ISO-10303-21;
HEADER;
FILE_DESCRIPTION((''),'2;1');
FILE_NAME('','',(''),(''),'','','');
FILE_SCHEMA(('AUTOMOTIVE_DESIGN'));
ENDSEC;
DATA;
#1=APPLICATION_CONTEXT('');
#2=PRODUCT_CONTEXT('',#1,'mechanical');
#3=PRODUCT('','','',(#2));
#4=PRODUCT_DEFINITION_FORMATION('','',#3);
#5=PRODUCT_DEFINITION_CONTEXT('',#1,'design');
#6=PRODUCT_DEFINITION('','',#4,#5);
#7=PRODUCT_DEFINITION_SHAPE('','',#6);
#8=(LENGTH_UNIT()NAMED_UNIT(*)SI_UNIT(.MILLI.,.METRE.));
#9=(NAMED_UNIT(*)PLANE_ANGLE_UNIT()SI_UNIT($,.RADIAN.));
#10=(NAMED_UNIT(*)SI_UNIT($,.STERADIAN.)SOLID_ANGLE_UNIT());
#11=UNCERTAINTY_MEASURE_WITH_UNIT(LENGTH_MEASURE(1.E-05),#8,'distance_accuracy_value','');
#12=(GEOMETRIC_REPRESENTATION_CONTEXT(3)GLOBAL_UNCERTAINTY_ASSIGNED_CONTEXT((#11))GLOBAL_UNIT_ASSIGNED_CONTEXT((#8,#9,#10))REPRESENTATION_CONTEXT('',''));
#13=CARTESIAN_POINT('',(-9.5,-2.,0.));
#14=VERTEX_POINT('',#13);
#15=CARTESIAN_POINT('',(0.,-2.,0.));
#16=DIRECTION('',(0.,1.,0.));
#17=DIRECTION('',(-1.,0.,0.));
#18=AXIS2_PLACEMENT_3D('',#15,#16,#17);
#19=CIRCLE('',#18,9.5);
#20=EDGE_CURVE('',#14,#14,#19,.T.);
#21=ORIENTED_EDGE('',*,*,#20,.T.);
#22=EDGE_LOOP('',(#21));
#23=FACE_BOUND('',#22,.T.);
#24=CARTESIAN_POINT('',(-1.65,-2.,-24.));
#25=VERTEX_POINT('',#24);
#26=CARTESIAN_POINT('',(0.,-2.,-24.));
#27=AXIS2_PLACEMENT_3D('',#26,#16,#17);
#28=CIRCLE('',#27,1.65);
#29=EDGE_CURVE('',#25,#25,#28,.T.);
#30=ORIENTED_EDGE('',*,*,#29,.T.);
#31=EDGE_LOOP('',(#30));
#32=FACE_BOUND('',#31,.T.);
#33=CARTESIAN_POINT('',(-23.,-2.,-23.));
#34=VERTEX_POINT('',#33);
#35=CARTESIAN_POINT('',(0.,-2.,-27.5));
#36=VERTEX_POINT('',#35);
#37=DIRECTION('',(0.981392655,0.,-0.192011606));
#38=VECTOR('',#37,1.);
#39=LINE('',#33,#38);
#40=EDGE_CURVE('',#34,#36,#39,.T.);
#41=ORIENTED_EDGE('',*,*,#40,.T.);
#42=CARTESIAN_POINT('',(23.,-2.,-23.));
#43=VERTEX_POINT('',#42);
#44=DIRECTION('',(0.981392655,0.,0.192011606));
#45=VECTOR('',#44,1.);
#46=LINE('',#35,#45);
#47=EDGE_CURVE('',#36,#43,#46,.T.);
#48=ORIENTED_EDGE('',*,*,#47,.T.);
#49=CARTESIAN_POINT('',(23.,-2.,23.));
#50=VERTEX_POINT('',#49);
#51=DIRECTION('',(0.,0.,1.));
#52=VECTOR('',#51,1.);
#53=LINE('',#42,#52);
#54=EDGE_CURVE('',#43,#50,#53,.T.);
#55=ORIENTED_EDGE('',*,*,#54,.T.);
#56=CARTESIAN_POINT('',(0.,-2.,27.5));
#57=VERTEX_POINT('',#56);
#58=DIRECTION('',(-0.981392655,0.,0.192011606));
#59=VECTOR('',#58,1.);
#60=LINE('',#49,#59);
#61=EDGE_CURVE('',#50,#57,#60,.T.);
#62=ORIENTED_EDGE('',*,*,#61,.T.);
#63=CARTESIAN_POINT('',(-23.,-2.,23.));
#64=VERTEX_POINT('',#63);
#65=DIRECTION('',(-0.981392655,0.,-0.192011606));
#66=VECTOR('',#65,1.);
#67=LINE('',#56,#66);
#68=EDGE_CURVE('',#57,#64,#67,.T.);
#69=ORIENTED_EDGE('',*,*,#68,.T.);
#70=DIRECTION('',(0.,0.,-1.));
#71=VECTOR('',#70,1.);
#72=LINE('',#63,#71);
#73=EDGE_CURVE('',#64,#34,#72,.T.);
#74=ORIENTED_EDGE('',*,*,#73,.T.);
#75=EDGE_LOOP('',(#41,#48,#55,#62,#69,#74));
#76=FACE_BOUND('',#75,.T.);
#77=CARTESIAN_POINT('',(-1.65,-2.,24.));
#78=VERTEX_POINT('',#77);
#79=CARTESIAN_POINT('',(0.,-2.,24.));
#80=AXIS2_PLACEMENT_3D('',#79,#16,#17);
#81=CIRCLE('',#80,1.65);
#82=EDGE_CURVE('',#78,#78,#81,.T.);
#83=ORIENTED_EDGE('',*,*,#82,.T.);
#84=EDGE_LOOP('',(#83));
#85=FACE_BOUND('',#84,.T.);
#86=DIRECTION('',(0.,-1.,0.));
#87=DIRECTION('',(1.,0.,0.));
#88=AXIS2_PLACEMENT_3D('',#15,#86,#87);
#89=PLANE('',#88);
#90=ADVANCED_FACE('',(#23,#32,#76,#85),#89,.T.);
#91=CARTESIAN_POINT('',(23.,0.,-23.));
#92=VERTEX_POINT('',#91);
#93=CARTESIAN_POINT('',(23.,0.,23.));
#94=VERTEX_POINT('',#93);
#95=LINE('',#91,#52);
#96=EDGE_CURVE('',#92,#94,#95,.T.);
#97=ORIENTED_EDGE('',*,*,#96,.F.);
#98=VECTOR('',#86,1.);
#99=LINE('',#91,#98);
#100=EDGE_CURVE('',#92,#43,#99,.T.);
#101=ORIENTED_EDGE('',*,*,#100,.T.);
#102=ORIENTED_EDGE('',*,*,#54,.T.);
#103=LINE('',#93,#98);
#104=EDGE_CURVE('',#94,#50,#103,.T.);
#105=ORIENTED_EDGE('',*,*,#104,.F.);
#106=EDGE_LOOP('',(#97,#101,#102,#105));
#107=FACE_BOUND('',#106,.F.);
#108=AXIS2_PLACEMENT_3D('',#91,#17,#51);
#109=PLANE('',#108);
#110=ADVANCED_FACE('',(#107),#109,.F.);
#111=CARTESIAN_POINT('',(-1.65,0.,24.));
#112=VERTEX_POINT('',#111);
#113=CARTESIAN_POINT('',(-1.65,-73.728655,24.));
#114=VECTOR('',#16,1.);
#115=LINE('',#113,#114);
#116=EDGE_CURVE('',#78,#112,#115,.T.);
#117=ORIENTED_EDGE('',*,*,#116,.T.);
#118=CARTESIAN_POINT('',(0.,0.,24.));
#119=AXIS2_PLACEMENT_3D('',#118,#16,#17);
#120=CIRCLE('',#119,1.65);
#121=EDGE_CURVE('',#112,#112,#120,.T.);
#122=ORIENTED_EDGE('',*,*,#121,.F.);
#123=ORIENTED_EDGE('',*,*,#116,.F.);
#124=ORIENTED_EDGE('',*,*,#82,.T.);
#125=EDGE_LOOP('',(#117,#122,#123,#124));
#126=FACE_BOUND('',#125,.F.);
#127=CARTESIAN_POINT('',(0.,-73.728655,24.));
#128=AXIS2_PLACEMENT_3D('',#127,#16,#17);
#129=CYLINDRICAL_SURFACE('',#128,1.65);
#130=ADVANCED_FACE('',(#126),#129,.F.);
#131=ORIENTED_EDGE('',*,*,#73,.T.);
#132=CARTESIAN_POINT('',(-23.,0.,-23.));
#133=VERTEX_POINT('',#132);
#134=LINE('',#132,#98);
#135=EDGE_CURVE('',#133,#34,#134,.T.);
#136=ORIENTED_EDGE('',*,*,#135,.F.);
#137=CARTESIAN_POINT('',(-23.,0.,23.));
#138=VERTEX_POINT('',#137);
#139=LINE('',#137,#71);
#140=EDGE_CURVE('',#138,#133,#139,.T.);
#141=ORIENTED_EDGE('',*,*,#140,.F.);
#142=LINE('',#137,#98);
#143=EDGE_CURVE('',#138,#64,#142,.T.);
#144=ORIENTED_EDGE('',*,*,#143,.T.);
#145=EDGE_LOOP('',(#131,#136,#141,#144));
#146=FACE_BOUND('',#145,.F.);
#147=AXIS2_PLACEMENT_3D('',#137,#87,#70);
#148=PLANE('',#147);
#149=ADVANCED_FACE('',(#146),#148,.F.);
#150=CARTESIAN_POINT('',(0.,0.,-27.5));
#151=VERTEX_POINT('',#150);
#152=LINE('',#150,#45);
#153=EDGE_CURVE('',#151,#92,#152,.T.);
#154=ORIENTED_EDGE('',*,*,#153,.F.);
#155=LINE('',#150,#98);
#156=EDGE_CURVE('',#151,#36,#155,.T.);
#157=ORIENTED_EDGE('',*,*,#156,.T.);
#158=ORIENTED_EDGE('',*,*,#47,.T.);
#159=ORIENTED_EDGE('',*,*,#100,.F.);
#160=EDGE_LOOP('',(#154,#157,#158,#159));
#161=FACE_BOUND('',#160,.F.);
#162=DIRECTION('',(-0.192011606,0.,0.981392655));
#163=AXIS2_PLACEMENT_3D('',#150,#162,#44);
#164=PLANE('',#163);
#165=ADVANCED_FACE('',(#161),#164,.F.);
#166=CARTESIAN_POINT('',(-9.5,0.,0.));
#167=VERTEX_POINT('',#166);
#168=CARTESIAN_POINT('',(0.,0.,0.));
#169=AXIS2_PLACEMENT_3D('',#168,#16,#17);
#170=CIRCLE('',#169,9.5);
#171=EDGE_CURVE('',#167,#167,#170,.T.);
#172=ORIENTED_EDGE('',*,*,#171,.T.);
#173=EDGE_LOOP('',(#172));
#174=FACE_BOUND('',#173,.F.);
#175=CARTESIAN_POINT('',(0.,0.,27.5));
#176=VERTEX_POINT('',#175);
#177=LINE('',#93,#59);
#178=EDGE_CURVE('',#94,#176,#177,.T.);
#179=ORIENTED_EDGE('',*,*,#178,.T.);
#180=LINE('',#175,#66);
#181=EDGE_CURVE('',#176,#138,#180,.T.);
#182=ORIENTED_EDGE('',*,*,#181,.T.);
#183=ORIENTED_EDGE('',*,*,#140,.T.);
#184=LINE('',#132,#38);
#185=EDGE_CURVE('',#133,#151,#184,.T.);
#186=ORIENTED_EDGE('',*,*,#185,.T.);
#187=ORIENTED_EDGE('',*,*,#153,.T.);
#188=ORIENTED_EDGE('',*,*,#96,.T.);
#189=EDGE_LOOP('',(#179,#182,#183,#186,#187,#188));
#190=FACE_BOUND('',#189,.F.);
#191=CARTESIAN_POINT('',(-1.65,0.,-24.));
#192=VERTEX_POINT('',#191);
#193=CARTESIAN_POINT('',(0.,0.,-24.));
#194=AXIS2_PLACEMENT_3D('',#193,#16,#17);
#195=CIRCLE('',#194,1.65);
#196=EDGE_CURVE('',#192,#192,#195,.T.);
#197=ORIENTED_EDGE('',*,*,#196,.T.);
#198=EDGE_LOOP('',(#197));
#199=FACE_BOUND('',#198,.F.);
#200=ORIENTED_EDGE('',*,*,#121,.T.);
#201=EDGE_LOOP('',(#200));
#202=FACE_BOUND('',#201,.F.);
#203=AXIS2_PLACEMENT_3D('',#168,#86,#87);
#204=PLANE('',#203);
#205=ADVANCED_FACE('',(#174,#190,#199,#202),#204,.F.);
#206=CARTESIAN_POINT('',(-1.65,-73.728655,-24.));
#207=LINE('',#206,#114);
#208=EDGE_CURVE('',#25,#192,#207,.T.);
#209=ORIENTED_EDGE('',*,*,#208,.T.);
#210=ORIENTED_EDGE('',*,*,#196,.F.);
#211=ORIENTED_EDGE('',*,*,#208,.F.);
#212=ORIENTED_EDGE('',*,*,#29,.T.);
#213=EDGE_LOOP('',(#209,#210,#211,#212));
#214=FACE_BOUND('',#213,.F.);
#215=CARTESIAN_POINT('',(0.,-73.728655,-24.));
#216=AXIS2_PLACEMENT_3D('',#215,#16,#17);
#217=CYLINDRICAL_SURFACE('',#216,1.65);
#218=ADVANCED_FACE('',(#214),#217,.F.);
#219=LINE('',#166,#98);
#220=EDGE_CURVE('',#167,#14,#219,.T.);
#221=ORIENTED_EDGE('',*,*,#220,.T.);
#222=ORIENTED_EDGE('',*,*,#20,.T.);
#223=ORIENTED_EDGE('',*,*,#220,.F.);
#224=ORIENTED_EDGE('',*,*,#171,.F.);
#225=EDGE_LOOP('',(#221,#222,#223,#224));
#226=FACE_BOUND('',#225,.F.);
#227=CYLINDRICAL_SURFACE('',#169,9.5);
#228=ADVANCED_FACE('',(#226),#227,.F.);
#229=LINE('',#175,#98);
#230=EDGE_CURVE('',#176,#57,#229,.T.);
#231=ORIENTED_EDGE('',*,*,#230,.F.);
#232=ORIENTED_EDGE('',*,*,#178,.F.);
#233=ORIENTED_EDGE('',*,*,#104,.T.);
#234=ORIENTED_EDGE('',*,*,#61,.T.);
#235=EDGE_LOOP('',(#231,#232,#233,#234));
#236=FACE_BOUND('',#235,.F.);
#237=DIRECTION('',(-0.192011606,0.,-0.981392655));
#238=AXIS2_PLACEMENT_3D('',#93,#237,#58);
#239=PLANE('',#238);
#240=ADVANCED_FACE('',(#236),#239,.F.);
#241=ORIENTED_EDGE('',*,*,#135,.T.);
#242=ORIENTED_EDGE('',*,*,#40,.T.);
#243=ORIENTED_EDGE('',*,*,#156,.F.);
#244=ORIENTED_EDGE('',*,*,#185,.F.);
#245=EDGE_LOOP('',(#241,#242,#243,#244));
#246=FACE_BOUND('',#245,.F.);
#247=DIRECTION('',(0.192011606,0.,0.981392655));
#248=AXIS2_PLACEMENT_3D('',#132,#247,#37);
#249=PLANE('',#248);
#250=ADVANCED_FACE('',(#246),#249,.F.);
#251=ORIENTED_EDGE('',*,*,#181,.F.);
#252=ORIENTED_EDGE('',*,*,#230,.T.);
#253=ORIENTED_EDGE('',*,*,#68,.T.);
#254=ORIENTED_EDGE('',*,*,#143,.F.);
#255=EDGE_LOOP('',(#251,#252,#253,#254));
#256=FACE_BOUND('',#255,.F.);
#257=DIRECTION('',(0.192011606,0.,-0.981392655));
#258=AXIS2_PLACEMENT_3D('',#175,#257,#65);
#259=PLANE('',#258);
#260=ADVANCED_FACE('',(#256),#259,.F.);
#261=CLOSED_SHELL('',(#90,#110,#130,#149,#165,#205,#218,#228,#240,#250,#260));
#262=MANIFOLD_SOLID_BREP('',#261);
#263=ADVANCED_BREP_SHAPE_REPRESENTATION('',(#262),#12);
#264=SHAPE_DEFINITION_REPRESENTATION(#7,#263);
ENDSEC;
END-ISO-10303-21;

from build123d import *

# Parameters (mm, degrees)
F1_DEPTH = 2
F2_R     = 9.5
F3_DEPTH = 25
F6_D     = 3.3


with BuildPart() as f1:
    # F0 (on Front) → F1 (new body)
    with BuildSketch(Plane.XZ):
        Polygon((23, -19), (23, 23), (-23, 23), (-23, -23), (23, -23), align=None)
        Polygon((-23, 23), (23, 23), (0, 27.5), align=None)
        Polygon((23, -23), (-23, -23), (0, -27.5), align=None)
    extrude(amount=F1_DEPTH)

    # F2 (on face) → F3 (cut)
    with BuildSketch(Plane(origin=(0, 0, 0), x_dir=(-1, 0, 0), z_dir=(0, 1, 0))):
        Circle(F2_R)
    extrude(amount=-F3_DEPTH, mode=Mode.SUBTRACT)

    # F6 (through all)
    with Locations(Plane.XZ.offset(2)):
        with Locations((0, -24), (0, 24)):
            Hole(F6_D / 2)


solid = f1.part
